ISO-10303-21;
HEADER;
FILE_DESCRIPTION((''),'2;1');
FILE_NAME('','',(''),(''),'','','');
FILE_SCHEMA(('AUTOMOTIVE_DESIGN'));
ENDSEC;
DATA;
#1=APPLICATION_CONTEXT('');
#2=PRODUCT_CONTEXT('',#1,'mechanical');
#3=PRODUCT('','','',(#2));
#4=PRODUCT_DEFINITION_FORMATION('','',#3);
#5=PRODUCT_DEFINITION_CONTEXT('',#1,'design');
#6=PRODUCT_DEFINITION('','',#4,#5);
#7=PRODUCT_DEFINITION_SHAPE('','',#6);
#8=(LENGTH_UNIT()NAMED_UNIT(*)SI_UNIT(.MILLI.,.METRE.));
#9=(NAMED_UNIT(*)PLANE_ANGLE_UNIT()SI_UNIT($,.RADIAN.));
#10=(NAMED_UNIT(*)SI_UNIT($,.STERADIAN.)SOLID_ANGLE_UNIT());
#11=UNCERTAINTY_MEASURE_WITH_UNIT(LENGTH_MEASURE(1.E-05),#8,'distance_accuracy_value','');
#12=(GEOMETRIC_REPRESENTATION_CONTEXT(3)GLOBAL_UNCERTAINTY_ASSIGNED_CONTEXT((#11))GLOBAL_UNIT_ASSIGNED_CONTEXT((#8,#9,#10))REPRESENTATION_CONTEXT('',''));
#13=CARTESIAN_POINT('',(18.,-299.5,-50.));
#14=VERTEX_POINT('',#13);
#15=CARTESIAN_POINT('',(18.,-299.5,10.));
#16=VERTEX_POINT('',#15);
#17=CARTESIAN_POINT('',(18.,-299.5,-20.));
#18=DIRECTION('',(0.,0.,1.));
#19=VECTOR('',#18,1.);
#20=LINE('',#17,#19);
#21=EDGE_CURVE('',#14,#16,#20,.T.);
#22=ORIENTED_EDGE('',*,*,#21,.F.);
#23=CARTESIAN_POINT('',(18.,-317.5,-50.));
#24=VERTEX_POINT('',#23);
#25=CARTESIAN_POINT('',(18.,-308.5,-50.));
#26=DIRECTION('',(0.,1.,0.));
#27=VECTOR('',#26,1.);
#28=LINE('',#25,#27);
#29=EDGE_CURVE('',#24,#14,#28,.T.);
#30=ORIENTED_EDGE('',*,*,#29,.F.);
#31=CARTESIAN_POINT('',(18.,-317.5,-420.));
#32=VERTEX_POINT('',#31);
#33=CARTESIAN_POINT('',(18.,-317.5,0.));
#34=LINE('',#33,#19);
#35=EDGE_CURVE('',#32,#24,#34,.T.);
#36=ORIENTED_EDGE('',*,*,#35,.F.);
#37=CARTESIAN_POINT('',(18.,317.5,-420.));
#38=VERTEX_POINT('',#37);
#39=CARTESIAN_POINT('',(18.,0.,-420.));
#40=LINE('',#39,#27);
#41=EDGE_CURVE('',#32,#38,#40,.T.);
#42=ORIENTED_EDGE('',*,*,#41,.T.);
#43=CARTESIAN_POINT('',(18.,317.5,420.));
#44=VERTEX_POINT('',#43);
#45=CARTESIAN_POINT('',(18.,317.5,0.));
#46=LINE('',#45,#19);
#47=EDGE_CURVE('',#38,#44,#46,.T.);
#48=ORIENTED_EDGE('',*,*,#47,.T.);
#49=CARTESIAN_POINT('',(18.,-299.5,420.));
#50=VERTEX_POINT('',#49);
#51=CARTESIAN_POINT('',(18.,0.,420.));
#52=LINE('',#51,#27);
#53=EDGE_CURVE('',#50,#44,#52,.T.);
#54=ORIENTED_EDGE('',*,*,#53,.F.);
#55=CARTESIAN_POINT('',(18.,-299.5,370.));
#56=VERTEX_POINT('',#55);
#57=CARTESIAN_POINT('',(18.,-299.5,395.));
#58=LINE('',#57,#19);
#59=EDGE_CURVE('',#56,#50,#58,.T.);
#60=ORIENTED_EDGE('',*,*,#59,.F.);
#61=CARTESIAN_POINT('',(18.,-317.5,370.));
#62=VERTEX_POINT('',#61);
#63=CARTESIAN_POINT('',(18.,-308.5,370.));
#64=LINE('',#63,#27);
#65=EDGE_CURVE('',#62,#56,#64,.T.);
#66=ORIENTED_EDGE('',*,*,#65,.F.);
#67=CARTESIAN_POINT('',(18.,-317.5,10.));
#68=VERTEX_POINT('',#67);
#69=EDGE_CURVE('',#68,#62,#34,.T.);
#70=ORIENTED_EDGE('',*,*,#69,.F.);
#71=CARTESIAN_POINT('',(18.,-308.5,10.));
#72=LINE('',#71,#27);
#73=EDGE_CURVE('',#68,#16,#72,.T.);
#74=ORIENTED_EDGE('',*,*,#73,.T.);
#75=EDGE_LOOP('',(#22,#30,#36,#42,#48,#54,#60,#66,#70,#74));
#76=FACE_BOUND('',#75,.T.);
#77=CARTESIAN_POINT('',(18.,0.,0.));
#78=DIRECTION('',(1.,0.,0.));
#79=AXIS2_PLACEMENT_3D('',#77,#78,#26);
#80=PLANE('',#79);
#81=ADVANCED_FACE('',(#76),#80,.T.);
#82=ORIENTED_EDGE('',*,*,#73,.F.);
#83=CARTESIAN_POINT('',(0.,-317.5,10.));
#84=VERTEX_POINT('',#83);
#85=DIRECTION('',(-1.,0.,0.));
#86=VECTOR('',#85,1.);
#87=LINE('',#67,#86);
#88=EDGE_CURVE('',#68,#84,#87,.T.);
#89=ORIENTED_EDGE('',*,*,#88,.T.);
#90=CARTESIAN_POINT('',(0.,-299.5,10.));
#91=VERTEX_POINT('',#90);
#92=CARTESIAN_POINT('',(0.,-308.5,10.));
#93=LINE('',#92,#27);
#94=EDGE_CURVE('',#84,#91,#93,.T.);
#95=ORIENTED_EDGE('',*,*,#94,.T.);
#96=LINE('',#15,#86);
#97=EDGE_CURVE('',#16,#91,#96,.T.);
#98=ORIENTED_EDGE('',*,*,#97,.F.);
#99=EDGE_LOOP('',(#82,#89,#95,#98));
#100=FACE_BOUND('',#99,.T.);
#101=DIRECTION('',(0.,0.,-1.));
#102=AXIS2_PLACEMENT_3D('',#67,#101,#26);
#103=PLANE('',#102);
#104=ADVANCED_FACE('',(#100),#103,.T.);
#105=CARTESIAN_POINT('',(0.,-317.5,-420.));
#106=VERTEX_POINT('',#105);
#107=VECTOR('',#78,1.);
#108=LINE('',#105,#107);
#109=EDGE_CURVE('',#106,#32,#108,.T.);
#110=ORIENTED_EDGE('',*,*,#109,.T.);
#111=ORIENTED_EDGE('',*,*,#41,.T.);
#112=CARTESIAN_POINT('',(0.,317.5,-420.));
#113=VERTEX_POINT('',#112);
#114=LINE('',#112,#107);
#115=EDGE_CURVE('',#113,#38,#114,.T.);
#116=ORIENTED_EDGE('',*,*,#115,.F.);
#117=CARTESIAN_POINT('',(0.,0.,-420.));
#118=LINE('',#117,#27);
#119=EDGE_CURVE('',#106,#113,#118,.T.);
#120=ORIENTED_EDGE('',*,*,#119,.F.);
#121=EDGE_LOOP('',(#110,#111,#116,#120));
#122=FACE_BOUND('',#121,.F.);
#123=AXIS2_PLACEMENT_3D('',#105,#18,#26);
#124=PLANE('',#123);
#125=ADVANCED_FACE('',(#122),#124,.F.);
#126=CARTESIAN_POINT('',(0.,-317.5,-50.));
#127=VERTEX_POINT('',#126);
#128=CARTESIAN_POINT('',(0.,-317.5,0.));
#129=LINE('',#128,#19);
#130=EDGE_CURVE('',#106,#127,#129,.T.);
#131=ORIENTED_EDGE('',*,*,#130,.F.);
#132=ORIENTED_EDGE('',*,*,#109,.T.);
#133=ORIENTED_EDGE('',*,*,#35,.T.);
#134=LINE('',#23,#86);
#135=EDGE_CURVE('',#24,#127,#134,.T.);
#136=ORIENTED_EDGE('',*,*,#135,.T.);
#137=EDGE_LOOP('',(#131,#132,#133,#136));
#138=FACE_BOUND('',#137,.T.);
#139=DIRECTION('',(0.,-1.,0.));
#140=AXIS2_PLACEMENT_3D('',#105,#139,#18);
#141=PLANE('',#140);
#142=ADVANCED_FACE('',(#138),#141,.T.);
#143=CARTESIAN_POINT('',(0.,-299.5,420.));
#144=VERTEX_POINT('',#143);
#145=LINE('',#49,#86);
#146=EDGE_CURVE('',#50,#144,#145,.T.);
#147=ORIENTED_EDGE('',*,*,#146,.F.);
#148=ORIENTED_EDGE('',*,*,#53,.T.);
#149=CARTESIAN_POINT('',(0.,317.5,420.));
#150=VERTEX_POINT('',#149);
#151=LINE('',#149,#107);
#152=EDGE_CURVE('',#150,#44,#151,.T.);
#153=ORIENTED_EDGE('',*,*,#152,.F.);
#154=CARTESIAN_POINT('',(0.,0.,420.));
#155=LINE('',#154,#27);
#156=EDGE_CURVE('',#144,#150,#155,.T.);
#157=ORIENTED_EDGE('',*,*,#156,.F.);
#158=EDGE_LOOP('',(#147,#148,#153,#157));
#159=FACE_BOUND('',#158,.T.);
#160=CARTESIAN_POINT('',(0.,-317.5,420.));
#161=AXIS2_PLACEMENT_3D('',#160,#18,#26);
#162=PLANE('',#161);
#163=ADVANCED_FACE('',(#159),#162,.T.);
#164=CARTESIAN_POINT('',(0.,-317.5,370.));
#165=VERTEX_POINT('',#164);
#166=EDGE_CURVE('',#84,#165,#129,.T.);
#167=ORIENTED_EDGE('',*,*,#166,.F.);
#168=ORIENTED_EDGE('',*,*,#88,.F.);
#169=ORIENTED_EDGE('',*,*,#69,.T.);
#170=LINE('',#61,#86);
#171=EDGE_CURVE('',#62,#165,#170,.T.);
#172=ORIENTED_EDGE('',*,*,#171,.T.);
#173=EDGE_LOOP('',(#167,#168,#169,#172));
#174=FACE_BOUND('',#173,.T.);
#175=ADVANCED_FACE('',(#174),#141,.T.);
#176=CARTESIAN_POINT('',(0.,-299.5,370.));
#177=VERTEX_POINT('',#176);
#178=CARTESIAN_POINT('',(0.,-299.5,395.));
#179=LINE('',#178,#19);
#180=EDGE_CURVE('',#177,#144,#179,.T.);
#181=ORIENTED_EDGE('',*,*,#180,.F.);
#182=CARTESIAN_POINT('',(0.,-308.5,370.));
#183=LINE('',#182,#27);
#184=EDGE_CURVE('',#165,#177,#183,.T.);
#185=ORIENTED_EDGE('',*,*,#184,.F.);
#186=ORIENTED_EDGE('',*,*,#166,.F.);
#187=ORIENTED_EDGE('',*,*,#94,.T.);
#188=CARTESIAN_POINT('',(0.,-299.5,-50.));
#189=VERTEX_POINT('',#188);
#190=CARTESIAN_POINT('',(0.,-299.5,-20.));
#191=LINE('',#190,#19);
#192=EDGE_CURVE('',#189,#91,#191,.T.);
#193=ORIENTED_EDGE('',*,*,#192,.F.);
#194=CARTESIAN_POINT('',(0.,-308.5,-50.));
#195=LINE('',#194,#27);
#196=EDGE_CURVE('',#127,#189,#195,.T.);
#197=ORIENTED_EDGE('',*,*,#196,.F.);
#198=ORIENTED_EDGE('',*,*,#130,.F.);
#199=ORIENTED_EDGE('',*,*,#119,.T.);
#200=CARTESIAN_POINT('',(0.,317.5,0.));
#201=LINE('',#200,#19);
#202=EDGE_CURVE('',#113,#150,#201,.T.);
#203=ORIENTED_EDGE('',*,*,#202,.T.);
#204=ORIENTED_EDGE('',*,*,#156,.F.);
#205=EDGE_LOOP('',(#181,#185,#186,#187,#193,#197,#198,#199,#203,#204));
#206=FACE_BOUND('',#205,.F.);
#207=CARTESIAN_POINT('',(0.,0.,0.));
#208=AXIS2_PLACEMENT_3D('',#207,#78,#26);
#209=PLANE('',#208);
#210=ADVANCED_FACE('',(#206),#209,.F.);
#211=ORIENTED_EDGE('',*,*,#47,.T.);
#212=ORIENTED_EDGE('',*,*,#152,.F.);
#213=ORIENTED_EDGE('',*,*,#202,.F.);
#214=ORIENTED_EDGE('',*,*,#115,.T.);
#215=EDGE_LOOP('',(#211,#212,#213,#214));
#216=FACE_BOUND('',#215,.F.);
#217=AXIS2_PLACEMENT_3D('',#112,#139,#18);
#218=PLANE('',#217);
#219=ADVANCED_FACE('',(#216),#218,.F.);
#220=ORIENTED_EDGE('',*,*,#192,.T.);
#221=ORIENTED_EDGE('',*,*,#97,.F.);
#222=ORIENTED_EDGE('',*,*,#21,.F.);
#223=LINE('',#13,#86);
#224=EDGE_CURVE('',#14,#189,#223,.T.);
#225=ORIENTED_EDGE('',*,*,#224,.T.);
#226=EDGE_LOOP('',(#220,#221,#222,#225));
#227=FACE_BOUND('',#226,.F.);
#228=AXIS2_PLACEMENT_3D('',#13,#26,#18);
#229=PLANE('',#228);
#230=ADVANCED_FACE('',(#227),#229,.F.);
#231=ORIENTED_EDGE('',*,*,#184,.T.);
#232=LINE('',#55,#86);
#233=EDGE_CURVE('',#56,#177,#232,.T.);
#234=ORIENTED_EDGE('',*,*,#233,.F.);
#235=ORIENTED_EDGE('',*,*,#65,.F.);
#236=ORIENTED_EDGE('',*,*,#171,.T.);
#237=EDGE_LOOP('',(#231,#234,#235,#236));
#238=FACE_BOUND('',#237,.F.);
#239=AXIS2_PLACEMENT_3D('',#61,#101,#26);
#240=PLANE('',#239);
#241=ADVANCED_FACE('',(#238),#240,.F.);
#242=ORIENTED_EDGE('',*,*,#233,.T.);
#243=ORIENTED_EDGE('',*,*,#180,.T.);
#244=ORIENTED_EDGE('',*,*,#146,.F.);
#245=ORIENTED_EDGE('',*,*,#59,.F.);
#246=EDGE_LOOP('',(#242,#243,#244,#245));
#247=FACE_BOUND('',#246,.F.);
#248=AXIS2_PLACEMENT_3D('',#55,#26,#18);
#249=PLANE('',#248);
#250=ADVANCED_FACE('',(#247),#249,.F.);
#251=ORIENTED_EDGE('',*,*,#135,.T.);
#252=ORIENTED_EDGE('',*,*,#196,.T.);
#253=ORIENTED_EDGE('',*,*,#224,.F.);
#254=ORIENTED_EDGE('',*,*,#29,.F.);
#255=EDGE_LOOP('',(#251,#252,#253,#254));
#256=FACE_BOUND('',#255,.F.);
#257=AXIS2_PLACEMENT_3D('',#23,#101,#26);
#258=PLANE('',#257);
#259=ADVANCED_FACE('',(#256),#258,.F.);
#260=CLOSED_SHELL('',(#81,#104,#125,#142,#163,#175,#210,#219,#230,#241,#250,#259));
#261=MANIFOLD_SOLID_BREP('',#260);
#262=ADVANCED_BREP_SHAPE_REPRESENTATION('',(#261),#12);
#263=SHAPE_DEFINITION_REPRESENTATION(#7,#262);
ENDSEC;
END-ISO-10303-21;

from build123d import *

# Parameters (mm, degrees)
F0_W     = 635
F0_H     = 840
F1_DEPTH = 18
F2_W     = 18
F2_H     = 50
F2_H_2   = 60
F3_DEPTH = 18


with BuildPart() as f1:
    # F0 (on Right) → F1 (new body)
    with BuildSketch(Plane.YZ):
        Rectangle(F0_W, F0_H)
    extrude(amount=F1_DEPTH)

    # F2 (on face) → F3 (cut)
    with BuildSketch(Plane.YZ.offset(18)):
        with Locations((-308.5, 395)):
            Rectangle(F2_W, F2_H)
        with Locations((-308.5, -20)):
            Rectangle(F2_W, F2_H_2)
    extrude(amount=-F3_DEPTH, mode=Mode.SUBTRACT)


solid = f1.part
